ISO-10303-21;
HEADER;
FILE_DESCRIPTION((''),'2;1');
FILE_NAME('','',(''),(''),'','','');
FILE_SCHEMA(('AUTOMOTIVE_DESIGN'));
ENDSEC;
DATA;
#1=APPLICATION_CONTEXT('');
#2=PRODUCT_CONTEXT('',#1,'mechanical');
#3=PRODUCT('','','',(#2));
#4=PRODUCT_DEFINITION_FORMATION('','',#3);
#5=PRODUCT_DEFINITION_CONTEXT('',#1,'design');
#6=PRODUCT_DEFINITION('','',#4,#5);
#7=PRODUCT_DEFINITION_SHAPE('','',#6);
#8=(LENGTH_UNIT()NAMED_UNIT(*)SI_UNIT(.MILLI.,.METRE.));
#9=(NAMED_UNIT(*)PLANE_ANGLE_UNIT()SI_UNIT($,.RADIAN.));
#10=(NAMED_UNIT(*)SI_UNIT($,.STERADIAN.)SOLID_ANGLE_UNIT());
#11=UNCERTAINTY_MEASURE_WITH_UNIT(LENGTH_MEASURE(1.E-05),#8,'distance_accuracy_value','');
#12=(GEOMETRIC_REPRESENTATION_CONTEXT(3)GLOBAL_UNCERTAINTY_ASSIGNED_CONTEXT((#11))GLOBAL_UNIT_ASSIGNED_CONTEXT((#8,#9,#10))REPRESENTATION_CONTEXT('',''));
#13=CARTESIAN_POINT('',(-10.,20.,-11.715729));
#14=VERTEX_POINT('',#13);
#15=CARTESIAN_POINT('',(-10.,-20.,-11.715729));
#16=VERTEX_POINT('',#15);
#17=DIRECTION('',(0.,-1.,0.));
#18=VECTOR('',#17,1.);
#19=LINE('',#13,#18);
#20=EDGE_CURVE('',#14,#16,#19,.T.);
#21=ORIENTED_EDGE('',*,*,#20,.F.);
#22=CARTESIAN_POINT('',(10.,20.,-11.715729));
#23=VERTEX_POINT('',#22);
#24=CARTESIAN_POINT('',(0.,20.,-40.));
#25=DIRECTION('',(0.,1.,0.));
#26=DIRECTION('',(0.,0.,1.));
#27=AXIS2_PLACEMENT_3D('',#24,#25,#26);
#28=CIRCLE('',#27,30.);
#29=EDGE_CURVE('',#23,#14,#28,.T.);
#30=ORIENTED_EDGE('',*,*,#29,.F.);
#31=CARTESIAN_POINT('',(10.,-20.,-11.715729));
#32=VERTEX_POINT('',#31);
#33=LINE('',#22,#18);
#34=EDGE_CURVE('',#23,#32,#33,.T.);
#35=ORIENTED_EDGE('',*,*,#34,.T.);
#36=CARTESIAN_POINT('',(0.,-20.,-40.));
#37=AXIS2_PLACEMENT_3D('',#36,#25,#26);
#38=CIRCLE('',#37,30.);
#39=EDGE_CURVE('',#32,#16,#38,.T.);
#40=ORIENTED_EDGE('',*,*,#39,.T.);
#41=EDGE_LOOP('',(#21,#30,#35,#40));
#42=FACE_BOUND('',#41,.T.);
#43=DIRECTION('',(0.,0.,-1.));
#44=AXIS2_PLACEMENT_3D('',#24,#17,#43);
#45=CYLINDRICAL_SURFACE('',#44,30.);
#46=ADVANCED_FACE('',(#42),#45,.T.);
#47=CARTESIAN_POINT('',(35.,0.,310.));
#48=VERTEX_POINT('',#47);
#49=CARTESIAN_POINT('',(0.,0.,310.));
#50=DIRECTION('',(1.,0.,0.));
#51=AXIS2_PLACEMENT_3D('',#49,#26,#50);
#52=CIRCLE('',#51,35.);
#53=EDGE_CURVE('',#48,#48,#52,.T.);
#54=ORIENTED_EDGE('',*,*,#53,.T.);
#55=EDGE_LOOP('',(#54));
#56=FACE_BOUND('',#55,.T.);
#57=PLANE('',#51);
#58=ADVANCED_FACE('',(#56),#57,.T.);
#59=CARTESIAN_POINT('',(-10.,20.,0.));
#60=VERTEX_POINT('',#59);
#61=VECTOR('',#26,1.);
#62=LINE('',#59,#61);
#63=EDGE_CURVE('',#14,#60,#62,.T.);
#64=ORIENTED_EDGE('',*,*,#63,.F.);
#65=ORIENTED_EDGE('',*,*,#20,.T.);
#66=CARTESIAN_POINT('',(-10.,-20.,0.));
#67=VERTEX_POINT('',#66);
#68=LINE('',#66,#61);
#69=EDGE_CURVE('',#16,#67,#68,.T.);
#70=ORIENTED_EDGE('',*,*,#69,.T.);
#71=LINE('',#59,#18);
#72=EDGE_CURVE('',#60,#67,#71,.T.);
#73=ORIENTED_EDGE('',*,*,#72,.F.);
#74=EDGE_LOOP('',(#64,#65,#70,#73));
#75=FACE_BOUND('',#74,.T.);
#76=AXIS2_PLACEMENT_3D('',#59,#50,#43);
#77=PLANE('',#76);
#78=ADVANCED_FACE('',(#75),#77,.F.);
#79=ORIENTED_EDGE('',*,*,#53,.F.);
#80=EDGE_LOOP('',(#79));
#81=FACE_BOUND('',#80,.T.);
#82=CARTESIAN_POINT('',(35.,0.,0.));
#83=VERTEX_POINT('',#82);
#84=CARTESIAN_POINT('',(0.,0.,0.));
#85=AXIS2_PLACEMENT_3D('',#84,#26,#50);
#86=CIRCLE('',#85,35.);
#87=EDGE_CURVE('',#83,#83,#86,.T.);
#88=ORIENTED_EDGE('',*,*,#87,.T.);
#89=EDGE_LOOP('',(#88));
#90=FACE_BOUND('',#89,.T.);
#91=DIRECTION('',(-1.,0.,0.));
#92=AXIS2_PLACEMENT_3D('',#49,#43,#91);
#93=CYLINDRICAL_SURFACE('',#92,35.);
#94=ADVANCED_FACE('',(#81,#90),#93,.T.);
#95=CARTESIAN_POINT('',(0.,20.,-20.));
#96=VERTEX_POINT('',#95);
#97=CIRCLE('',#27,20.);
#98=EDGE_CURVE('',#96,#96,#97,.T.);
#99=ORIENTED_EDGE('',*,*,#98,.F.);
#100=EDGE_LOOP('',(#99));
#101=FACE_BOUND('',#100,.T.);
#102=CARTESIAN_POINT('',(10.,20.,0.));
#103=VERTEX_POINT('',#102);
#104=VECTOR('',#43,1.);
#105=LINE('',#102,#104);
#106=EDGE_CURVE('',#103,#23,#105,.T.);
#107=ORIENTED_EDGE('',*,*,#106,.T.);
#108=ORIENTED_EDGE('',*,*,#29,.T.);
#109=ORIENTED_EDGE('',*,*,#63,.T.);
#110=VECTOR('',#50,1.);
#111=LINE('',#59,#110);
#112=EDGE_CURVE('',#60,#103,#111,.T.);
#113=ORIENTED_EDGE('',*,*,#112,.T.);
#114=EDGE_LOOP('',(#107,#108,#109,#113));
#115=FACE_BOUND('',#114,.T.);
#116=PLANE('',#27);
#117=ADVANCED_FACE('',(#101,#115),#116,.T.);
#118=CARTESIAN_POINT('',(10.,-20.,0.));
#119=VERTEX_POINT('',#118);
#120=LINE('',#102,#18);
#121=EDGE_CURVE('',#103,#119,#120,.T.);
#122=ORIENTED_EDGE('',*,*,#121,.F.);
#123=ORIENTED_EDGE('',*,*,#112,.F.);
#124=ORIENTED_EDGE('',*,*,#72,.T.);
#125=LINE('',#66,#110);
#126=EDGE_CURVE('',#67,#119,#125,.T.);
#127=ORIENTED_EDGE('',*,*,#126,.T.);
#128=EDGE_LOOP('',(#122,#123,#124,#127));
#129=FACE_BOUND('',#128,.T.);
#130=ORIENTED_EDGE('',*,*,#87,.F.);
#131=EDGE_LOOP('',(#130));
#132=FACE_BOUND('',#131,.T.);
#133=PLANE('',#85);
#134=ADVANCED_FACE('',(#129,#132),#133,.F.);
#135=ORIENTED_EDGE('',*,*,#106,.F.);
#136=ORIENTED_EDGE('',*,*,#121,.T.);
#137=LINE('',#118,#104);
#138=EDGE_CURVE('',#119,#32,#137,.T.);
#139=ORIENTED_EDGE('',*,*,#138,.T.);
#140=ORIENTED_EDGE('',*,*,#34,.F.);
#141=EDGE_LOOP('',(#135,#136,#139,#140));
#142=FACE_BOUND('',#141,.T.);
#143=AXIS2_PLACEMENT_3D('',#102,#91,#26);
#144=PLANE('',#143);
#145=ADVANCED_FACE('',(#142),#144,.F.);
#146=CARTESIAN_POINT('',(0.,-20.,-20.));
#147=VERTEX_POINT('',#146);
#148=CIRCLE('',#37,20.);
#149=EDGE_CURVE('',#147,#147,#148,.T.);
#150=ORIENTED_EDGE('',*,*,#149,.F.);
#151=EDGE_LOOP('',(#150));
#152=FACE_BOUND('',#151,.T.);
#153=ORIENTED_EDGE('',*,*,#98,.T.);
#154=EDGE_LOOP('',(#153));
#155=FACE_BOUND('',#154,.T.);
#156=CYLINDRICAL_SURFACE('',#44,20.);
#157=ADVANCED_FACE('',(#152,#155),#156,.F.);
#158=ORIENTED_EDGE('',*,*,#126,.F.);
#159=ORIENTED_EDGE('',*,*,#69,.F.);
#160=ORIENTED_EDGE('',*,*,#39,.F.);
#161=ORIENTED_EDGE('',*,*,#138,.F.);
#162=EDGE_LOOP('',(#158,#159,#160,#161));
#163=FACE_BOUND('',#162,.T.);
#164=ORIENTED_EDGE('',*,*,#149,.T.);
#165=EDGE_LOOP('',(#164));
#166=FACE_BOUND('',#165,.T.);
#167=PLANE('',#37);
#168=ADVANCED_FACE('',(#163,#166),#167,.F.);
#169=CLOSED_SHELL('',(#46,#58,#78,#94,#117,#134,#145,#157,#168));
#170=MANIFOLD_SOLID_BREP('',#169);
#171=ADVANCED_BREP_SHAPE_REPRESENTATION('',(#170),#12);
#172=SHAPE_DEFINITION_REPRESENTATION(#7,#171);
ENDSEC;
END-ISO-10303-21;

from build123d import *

# Parameters (mm, degrees)
IZIM1_R                     = 35
Y_KSEKLIK_EKSTR_ZYON1_DEPTH = 310
IZIM2_R                     = 20
Y_KSEKLIK_EKSTR_ZYON2_DEPTH = 20


with BuildPart() as part:
    # Çizim1 → Yükseklik-Ekstrüzyon1 (new body)
    with BuildSketch(Plane.XY):
        Circle(IZIM1_R)
    extrude(amount=Y_KSEKLIK_EKSTR_ZYON1_DEPTH)

    # Çizim2 → Yükseklik-Ekstrüzyon2 (add, symmetric)
    with BuildSketch(Plane(origin=(0, 0, 0), x_dir=(1, 0, 0), z_dir=(0, 1, 0))):
        with BuildLine():
            Line((-10, 0), (-10, 11.715728753))
            ThreePointArc((-10, 11.715728753), (0, 70), (10, 11.715728753))
            Line((10, 11.715728753), (10, 0))
            Line((10, 0), (-10, 0))
        make_face()
        with Locations(Location((0, 40, 0), (0, 0, 270))):
            Circle(IZIM2_R, mode=Mode.SUBTRACT)
    extrude(amount=Y_KSEKLIK_EKSTR_ZYON2_DEPTH, both=True)


solid = part.part
